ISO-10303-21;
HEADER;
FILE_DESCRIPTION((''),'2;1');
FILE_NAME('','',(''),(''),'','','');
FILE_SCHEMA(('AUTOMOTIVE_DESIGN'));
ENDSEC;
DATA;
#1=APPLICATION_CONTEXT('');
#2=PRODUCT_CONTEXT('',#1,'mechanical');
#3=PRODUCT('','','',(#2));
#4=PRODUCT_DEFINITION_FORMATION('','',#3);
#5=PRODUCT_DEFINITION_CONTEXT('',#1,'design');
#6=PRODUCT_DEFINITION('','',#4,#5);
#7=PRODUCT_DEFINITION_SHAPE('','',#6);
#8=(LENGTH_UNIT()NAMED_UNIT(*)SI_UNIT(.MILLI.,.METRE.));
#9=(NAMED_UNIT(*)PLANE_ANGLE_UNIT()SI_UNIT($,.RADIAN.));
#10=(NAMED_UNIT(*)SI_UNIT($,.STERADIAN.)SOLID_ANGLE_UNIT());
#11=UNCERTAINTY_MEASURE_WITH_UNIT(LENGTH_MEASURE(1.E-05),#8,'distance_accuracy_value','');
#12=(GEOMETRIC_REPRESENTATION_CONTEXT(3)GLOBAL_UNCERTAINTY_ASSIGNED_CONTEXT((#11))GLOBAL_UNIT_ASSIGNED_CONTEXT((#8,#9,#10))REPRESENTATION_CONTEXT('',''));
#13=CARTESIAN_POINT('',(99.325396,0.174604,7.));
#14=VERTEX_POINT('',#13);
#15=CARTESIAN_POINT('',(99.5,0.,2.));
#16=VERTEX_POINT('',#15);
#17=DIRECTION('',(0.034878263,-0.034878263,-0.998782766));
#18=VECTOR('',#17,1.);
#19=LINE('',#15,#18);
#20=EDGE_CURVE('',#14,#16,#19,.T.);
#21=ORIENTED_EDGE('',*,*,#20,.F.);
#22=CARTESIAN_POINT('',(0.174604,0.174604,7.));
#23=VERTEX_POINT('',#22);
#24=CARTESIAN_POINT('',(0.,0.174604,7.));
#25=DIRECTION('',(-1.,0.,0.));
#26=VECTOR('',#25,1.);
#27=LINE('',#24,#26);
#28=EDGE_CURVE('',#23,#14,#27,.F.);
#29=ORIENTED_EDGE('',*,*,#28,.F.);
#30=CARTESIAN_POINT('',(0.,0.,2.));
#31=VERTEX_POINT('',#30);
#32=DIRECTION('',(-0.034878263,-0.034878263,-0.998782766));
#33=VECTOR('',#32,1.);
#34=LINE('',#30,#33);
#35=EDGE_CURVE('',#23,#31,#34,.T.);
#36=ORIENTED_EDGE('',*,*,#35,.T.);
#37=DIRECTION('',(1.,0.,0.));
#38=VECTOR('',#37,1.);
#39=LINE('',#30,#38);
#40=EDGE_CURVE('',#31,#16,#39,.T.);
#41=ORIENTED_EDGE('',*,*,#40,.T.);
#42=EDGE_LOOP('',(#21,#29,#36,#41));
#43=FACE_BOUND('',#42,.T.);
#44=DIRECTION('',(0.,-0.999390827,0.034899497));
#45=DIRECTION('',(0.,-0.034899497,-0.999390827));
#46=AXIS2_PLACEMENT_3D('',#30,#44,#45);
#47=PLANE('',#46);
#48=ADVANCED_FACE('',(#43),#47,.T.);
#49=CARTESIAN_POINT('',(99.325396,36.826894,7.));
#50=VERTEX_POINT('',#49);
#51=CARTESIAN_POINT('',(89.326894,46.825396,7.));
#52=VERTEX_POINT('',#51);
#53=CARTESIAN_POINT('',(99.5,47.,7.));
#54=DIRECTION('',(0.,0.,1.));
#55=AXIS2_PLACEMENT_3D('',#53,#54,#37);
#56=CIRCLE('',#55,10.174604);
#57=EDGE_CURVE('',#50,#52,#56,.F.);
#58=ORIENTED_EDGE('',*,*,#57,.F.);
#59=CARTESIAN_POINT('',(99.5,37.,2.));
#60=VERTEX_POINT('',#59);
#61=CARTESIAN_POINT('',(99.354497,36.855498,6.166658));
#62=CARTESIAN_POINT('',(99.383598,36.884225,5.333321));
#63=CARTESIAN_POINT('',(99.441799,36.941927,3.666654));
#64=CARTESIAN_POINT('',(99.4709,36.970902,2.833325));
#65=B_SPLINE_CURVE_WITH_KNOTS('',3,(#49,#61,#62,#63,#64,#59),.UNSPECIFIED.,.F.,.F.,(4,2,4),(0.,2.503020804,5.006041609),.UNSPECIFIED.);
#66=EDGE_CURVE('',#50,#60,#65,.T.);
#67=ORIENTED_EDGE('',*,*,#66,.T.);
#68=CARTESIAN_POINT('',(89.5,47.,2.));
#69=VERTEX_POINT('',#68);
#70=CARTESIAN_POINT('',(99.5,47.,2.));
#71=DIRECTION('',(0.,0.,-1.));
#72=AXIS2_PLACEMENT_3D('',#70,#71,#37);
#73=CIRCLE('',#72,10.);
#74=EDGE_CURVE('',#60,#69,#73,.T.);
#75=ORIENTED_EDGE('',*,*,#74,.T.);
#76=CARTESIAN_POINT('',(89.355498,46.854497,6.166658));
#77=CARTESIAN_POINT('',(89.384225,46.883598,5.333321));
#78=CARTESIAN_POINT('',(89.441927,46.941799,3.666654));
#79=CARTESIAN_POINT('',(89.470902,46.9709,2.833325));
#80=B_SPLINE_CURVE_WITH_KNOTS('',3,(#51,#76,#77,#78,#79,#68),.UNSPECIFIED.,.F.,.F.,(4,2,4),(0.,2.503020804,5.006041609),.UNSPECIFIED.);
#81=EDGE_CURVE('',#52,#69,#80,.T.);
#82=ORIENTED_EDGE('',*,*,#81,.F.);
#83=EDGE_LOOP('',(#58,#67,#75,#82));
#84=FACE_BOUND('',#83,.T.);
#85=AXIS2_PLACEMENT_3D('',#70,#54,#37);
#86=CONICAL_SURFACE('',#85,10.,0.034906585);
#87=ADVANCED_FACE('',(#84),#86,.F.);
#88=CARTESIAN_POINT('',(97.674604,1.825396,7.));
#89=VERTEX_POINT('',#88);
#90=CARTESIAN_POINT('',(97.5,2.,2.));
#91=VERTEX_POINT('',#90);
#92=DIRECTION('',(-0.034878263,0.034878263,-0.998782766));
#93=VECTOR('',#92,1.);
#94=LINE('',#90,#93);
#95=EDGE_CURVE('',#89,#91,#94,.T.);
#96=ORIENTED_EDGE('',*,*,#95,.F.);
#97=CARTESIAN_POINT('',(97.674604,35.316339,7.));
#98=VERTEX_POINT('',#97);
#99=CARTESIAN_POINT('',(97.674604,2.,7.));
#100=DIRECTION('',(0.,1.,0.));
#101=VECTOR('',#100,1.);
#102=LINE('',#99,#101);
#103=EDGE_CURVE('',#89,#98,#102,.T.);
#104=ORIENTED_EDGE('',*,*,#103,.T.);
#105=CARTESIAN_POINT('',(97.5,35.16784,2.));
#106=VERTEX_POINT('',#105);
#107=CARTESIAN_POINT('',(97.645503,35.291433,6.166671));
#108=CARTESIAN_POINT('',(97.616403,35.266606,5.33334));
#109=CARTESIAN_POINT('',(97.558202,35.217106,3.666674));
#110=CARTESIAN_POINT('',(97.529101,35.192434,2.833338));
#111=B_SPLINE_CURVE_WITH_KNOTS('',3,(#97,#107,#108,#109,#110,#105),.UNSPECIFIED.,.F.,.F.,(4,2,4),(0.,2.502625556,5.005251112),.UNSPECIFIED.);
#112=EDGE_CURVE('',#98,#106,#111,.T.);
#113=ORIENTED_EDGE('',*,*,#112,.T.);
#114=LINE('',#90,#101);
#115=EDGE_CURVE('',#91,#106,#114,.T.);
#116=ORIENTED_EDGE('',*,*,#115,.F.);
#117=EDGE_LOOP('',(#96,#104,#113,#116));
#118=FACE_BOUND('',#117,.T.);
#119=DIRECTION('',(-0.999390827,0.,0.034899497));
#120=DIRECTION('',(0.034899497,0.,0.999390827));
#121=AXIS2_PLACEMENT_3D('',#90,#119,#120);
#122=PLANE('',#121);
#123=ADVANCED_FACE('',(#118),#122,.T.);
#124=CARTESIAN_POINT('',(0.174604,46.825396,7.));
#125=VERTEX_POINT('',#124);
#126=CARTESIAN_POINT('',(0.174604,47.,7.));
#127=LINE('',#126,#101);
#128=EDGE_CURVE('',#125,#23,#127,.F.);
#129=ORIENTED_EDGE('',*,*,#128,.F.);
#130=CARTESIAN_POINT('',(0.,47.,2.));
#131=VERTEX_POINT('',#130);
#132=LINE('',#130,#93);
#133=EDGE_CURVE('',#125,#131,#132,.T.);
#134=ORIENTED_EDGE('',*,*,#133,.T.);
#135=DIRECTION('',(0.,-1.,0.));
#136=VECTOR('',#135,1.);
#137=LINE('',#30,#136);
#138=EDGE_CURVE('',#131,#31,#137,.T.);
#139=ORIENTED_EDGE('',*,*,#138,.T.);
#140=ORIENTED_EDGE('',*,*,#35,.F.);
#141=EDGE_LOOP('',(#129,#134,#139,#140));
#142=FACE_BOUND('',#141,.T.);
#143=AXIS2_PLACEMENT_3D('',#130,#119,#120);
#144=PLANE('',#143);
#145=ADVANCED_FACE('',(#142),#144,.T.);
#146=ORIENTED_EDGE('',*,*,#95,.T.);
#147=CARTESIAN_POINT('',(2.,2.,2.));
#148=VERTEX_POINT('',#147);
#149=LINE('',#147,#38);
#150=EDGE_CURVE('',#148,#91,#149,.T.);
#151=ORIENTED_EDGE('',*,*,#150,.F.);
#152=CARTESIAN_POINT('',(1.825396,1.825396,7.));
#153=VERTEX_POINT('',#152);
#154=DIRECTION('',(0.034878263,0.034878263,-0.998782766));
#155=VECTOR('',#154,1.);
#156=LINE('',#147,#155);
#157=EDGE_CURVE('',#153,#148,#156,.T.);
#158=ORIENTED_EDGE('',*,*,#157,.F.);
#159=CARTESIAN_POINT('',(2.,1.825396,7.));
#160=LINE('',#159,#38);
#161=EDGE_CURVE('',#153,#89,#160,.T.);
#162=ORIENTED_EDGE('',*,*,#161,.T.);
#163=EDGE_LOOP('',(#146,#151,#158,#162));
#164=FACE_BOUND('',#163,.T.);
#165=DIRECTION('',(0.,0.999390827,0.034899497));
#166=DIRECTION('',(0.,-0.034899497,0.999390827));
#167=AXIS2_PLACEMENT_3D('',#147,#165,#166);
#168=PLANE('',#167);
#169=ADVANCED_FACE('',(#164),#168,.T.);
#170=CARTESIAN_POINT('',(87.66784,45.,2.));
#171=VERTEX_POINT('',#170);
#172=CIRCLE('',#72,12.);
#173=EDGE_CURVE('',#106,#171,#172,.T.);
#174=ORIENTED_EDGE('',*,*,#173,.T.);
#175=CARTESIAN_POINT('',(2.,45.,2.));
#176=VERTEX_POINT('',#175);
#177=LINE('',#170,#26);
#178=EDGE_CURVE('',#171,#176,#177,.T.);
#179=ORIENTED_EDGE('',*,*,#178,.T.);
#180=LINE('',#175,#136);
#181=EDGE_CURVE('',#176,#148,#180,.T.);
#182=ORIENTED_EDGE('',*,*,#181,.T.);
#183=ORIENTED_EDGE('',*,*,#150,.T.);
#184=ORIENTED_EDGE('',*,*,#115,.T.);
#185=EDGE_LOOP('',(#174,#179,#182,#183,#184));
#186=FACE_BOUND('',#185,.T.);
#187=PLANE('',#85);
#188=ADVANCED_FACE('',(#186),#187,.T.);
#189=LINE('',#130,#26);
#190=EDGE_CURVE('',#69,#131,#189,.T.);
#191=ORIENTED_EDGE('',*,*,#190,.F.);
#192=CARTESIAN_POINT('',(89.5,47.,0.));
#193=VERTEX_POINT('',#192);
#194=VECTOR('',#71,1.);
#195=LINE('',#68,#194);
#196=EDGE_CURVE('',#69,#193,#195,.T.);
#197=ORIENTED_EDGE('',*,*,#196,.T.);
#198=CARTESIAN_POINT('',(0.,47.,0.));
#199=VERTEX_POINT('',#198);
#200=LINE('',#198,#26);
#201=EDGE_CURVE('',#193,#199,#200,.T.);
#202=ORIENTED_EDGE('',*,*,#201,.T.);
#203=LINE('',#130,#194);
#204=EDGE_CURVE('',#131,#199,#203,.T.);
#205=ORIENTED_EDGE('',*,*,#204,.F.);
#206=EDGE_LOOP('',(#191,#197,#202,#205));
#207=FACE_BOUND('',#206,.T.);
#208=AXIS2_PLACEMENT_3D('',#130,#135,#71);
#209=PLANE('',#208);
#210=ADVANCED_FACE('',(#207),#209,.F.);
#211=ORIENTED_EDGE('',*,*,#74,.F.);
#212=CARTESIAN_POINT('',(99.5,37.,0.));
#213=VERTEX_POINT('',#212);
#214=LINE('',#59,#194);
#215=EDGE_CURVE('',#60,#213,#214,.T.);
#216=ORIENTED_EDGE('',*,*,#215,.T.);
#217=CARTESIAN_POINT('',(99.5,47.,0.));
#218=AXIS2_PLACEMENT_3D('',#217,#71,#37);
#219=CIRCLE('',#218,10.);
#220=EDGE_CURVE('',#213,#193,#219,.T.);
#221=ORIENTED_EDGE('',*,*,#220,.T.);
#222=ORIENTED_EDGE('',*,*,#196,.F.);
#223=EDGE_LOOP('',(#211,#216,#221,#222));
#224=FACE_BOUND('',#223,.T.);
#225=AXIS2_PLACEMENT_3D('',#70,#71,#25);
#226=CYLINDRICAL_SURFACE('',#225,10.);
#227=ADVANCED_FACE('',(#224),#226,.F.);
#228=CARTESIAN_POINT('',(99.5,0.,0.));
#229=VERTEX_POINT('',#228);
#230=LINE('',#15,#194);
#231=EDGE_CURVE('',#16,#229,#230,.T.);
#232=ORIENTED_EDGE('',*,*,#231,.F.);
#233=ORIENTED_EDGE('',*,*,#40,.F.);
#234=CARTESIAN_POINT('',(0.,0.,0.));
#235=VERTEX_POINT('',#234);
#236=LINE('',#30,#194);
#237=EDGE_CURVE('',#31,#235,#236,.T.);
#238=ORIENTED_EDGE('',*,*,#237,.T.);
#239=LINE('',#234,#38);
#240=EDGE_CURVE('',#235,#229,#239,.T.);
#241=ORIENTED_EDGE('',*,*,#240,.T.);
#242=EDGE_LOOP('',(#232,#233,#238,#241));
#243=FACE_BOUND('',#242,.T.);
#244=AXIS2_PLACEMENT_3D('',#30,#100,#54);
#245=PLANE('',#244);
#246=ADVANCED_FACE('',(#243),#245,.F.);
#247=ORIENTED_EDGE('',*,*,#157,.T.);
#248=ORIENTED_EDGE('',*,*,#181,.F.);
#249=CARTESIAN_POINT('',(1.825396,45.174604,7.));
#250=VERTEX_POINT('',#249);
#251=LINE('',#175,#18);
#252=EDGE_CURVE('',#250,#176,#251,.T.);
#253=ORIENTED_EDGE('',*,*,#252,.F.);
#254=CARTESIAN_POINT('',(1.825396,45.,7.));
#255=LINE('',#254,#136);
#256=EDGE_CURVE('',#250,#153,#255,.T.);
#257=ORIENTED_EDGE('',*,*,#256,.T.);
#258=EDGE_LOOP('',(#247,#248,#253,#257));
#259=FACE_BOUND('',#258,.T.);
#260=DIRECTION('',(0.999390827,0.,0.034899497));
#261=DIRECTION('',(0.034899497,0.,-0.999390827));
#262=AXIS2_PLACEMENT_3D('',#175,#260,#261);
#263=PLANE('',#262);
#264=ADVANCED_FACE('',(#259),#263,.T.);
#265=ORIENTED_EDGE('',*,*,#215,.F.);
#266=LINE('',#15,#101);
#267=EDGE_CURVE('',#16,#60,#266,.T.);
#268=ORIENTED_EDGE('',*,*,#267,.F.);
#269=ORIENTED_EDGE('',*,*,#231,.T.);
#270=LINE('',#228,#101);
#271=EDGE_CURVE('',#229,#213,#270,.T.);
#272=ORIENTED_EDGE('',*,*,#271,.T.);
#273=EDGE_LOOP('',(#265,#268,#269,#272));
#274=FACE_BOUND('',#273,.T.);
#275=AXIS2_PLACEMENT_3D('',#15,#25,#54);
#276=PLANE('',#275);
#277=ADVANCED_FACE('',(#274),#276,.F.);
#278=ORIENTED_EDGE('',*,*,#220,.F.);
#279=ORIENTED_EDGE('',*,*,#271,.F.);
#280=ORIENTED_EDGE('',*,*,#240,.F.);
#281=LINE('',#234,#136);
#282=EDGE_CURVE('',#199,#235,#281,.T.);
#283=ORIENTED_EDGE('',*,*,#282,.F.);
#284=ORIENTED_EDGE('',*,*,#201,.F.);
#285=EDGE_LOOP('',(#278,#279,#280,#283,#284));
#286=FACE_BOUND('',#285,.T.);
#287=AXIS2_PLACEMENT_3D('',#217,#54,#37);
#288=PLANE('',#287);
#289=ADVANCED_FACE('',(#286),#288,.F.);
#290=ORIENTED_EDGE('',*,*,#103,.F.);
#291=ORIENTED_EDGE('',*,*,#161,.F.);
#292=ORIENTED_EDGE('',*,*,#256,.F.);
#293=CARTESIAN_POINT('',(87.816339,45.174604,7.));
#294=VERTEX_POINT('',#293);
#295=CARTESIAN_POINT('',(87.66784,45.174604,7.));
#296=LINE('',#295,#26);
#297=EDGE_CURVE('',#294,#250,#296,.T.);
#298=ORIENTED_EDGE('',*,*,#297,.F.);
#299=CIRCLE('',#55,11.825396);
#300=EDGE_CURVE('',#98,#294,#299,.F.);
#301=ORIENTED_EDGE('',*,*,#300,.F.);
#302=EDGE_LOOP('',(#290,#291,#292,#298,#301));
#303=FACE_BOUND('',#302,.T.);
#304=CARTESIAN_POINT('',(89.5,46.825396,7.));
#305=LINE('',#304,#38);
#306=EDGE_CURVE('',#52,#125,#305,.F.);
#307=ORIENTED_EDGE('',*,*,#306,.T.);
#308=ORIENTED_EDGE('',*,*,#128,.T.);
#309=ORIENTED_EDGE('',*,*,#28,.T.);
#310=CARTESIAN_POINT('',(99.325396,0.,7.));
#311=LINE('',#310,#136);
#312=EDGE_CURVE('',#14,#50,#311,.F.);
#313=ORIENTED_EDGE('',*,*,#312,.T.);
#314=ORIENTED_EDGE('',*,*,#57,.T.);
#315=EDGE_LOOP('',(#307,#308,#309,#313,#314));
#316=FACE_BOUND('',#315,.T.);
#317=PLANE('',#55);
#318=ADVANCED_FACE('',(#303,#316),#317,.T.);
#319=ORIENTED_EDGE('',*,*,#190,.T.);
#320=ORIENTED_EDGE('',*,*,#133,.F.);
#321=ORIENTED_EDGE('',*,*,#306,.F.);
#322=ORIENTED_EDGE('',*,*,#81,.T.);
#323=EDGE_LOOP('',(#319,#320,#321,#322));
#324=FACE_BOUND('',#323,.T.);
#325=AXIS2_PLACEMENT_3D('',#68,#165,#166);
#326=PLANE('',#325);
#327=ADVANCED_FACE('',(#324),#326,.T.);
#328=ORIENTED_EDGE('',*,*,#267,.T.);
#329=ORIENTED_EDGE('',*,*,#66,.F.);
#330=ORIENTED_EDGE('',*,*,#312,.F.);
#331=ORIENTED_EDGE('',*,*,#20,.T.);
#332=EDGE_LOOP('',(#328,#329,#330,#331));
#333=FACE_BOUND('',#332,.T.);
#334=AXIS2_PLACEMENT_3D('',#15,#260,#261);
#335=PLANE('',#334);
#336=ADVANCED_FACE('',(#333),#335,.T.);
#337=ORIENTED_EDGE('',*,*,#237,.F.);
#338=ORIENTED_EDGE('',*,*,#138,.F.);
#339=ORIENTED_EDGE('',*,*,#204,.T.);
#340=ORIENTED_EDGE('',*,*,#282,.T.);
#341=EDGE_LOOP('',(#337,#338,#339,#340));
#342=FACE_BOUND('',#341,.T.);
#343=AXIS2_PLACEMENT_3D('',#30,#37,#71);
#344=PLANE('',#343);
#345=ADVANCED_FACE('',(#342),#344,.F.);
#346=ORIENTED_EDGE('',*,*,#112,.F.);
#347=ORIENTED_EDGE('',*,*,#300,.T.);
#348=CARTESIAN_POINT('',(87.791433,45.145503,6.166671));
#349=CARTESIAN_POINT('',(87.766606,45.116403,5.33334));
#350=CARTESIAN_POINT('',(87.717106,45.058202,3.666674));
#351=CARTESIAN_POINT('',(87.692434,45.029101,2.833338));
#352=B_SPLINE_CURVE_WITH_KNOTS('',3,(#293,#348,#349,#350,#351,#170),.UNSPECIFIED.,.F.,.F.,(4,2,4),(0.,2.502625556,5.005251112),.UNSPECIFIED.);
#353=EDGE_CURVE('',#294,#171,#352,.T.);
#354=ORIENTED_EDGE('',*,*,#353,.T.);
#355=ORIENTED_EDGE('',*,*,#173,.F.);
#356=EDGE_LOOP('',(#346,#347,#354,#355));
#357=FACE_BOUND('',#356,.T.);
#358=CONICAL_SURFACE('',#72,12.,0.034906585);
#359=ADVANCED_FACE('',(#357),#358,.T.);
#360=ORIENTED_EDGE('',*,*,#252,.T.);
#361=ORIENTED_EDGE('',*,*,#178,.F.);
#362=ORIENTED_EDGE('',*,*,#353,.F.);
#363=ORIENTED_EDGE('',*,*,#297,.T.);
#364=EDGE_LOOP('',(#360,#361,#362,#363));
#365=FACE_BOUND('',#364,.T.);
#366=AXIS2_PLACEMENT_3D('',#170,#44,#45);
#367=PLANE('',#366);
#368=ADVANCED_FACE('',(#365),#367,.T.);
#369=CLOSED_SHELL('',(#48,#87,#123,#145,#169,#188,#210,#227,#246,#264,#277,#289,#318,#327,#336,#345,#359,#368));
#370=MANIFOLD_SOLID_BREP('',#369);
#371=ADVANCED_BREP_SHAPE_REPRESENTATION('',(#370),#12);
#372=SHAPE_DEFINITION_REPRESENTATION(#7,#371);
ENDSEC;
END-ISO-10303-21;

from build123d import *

# Parameters (mm, degrees)
BOSS_EXTRU_1_DEPTH = 2
BOSS_EXTRU_2_DEPTH = 5
BOSS_EXTRU_2_DRAFT = 2


with BuildPart() as part:
    # Esquisse1 → Boss.-Extru.1 (new body)
    with BuildSketch(Plane.XY):
        with BuildLine():
            Line((0, 0), (99.5, 0))
            Line((99.5, 0), (99.5, 37))
            ThreePointArc((99.5, 37), (92.428932188, 39.928932188), (89.5, 47))
            Line((89.5, 47), (0, 47))
            Line((0, 47), (0, 0))
        make_face()
    extrude(amount=BOSS_EXTRU_1_DEPTH)


with BuildPart() as boss_extru_2_tool:
    # Esquisse2 → Boss.-Extru.2 (with draft: the straight prism first)
    with BuildSketch(Plane.XY.offset(2)):
        with BuildLine():
            Line((0, 47), (0, 0))
            Line((0, 0), (99.5, 0))
            Line((99.5, 0), (99.5, 37))
            ThreePointArc((99.5, 37), (92.428932188, 39.928932188), (89.5, 47))
            Line((89.5, 47), (0, 47))
        make_face()
        with BuildLine():
            Line((2, 45), (2, 2))
            Line((2, 2), (97.5, 2))
            Line((97.5, 2), (97.5, 35.167840434))
            ThreePointArc((97.5, 35.167840434), (91.014718626, 38.514718626), (87.667840434, 45))
            Line((87.667840434, 45), (2, 45))
        make_face(mode=Mode.SUBTRACT)
    extrude(amount=BOSS_EXTRU_2_DEPTH)
    # Boss.-Extru.2: the draft: its side faces are tilted about the plane it starts from
    boss_extru_2_sides = [boss_extru_2_tool.faces().sort_by_distance(p)[0] for p in [
        (92.428932188, 39.928932188, 4.5),
        (44.75, 47, 4.5),
        (0, 23.5, 4.5),
        (49.75, 0, 4.5),
        (99.5, 18.5, 4.5),
        (44.833920217, 45, 4.5),
        (91.014718626, 38.514718626, 4.5),
        (97.5, 18.583920217, 4.5),
        (49.75, 2, 4.5),
        (2, 23.5, 4.5),
    ]]
    draft(boss_extru_2_sides, Plane.XY.offset(2), BOSS_EXTRU_2_DRAFT)


with BuildPart() as part_1:
    add(part.part)

    # Boss.-Extru.2: add boss_extru_2_tool
    add(boss_extru_2_tool.part)


solid = part_1.part
